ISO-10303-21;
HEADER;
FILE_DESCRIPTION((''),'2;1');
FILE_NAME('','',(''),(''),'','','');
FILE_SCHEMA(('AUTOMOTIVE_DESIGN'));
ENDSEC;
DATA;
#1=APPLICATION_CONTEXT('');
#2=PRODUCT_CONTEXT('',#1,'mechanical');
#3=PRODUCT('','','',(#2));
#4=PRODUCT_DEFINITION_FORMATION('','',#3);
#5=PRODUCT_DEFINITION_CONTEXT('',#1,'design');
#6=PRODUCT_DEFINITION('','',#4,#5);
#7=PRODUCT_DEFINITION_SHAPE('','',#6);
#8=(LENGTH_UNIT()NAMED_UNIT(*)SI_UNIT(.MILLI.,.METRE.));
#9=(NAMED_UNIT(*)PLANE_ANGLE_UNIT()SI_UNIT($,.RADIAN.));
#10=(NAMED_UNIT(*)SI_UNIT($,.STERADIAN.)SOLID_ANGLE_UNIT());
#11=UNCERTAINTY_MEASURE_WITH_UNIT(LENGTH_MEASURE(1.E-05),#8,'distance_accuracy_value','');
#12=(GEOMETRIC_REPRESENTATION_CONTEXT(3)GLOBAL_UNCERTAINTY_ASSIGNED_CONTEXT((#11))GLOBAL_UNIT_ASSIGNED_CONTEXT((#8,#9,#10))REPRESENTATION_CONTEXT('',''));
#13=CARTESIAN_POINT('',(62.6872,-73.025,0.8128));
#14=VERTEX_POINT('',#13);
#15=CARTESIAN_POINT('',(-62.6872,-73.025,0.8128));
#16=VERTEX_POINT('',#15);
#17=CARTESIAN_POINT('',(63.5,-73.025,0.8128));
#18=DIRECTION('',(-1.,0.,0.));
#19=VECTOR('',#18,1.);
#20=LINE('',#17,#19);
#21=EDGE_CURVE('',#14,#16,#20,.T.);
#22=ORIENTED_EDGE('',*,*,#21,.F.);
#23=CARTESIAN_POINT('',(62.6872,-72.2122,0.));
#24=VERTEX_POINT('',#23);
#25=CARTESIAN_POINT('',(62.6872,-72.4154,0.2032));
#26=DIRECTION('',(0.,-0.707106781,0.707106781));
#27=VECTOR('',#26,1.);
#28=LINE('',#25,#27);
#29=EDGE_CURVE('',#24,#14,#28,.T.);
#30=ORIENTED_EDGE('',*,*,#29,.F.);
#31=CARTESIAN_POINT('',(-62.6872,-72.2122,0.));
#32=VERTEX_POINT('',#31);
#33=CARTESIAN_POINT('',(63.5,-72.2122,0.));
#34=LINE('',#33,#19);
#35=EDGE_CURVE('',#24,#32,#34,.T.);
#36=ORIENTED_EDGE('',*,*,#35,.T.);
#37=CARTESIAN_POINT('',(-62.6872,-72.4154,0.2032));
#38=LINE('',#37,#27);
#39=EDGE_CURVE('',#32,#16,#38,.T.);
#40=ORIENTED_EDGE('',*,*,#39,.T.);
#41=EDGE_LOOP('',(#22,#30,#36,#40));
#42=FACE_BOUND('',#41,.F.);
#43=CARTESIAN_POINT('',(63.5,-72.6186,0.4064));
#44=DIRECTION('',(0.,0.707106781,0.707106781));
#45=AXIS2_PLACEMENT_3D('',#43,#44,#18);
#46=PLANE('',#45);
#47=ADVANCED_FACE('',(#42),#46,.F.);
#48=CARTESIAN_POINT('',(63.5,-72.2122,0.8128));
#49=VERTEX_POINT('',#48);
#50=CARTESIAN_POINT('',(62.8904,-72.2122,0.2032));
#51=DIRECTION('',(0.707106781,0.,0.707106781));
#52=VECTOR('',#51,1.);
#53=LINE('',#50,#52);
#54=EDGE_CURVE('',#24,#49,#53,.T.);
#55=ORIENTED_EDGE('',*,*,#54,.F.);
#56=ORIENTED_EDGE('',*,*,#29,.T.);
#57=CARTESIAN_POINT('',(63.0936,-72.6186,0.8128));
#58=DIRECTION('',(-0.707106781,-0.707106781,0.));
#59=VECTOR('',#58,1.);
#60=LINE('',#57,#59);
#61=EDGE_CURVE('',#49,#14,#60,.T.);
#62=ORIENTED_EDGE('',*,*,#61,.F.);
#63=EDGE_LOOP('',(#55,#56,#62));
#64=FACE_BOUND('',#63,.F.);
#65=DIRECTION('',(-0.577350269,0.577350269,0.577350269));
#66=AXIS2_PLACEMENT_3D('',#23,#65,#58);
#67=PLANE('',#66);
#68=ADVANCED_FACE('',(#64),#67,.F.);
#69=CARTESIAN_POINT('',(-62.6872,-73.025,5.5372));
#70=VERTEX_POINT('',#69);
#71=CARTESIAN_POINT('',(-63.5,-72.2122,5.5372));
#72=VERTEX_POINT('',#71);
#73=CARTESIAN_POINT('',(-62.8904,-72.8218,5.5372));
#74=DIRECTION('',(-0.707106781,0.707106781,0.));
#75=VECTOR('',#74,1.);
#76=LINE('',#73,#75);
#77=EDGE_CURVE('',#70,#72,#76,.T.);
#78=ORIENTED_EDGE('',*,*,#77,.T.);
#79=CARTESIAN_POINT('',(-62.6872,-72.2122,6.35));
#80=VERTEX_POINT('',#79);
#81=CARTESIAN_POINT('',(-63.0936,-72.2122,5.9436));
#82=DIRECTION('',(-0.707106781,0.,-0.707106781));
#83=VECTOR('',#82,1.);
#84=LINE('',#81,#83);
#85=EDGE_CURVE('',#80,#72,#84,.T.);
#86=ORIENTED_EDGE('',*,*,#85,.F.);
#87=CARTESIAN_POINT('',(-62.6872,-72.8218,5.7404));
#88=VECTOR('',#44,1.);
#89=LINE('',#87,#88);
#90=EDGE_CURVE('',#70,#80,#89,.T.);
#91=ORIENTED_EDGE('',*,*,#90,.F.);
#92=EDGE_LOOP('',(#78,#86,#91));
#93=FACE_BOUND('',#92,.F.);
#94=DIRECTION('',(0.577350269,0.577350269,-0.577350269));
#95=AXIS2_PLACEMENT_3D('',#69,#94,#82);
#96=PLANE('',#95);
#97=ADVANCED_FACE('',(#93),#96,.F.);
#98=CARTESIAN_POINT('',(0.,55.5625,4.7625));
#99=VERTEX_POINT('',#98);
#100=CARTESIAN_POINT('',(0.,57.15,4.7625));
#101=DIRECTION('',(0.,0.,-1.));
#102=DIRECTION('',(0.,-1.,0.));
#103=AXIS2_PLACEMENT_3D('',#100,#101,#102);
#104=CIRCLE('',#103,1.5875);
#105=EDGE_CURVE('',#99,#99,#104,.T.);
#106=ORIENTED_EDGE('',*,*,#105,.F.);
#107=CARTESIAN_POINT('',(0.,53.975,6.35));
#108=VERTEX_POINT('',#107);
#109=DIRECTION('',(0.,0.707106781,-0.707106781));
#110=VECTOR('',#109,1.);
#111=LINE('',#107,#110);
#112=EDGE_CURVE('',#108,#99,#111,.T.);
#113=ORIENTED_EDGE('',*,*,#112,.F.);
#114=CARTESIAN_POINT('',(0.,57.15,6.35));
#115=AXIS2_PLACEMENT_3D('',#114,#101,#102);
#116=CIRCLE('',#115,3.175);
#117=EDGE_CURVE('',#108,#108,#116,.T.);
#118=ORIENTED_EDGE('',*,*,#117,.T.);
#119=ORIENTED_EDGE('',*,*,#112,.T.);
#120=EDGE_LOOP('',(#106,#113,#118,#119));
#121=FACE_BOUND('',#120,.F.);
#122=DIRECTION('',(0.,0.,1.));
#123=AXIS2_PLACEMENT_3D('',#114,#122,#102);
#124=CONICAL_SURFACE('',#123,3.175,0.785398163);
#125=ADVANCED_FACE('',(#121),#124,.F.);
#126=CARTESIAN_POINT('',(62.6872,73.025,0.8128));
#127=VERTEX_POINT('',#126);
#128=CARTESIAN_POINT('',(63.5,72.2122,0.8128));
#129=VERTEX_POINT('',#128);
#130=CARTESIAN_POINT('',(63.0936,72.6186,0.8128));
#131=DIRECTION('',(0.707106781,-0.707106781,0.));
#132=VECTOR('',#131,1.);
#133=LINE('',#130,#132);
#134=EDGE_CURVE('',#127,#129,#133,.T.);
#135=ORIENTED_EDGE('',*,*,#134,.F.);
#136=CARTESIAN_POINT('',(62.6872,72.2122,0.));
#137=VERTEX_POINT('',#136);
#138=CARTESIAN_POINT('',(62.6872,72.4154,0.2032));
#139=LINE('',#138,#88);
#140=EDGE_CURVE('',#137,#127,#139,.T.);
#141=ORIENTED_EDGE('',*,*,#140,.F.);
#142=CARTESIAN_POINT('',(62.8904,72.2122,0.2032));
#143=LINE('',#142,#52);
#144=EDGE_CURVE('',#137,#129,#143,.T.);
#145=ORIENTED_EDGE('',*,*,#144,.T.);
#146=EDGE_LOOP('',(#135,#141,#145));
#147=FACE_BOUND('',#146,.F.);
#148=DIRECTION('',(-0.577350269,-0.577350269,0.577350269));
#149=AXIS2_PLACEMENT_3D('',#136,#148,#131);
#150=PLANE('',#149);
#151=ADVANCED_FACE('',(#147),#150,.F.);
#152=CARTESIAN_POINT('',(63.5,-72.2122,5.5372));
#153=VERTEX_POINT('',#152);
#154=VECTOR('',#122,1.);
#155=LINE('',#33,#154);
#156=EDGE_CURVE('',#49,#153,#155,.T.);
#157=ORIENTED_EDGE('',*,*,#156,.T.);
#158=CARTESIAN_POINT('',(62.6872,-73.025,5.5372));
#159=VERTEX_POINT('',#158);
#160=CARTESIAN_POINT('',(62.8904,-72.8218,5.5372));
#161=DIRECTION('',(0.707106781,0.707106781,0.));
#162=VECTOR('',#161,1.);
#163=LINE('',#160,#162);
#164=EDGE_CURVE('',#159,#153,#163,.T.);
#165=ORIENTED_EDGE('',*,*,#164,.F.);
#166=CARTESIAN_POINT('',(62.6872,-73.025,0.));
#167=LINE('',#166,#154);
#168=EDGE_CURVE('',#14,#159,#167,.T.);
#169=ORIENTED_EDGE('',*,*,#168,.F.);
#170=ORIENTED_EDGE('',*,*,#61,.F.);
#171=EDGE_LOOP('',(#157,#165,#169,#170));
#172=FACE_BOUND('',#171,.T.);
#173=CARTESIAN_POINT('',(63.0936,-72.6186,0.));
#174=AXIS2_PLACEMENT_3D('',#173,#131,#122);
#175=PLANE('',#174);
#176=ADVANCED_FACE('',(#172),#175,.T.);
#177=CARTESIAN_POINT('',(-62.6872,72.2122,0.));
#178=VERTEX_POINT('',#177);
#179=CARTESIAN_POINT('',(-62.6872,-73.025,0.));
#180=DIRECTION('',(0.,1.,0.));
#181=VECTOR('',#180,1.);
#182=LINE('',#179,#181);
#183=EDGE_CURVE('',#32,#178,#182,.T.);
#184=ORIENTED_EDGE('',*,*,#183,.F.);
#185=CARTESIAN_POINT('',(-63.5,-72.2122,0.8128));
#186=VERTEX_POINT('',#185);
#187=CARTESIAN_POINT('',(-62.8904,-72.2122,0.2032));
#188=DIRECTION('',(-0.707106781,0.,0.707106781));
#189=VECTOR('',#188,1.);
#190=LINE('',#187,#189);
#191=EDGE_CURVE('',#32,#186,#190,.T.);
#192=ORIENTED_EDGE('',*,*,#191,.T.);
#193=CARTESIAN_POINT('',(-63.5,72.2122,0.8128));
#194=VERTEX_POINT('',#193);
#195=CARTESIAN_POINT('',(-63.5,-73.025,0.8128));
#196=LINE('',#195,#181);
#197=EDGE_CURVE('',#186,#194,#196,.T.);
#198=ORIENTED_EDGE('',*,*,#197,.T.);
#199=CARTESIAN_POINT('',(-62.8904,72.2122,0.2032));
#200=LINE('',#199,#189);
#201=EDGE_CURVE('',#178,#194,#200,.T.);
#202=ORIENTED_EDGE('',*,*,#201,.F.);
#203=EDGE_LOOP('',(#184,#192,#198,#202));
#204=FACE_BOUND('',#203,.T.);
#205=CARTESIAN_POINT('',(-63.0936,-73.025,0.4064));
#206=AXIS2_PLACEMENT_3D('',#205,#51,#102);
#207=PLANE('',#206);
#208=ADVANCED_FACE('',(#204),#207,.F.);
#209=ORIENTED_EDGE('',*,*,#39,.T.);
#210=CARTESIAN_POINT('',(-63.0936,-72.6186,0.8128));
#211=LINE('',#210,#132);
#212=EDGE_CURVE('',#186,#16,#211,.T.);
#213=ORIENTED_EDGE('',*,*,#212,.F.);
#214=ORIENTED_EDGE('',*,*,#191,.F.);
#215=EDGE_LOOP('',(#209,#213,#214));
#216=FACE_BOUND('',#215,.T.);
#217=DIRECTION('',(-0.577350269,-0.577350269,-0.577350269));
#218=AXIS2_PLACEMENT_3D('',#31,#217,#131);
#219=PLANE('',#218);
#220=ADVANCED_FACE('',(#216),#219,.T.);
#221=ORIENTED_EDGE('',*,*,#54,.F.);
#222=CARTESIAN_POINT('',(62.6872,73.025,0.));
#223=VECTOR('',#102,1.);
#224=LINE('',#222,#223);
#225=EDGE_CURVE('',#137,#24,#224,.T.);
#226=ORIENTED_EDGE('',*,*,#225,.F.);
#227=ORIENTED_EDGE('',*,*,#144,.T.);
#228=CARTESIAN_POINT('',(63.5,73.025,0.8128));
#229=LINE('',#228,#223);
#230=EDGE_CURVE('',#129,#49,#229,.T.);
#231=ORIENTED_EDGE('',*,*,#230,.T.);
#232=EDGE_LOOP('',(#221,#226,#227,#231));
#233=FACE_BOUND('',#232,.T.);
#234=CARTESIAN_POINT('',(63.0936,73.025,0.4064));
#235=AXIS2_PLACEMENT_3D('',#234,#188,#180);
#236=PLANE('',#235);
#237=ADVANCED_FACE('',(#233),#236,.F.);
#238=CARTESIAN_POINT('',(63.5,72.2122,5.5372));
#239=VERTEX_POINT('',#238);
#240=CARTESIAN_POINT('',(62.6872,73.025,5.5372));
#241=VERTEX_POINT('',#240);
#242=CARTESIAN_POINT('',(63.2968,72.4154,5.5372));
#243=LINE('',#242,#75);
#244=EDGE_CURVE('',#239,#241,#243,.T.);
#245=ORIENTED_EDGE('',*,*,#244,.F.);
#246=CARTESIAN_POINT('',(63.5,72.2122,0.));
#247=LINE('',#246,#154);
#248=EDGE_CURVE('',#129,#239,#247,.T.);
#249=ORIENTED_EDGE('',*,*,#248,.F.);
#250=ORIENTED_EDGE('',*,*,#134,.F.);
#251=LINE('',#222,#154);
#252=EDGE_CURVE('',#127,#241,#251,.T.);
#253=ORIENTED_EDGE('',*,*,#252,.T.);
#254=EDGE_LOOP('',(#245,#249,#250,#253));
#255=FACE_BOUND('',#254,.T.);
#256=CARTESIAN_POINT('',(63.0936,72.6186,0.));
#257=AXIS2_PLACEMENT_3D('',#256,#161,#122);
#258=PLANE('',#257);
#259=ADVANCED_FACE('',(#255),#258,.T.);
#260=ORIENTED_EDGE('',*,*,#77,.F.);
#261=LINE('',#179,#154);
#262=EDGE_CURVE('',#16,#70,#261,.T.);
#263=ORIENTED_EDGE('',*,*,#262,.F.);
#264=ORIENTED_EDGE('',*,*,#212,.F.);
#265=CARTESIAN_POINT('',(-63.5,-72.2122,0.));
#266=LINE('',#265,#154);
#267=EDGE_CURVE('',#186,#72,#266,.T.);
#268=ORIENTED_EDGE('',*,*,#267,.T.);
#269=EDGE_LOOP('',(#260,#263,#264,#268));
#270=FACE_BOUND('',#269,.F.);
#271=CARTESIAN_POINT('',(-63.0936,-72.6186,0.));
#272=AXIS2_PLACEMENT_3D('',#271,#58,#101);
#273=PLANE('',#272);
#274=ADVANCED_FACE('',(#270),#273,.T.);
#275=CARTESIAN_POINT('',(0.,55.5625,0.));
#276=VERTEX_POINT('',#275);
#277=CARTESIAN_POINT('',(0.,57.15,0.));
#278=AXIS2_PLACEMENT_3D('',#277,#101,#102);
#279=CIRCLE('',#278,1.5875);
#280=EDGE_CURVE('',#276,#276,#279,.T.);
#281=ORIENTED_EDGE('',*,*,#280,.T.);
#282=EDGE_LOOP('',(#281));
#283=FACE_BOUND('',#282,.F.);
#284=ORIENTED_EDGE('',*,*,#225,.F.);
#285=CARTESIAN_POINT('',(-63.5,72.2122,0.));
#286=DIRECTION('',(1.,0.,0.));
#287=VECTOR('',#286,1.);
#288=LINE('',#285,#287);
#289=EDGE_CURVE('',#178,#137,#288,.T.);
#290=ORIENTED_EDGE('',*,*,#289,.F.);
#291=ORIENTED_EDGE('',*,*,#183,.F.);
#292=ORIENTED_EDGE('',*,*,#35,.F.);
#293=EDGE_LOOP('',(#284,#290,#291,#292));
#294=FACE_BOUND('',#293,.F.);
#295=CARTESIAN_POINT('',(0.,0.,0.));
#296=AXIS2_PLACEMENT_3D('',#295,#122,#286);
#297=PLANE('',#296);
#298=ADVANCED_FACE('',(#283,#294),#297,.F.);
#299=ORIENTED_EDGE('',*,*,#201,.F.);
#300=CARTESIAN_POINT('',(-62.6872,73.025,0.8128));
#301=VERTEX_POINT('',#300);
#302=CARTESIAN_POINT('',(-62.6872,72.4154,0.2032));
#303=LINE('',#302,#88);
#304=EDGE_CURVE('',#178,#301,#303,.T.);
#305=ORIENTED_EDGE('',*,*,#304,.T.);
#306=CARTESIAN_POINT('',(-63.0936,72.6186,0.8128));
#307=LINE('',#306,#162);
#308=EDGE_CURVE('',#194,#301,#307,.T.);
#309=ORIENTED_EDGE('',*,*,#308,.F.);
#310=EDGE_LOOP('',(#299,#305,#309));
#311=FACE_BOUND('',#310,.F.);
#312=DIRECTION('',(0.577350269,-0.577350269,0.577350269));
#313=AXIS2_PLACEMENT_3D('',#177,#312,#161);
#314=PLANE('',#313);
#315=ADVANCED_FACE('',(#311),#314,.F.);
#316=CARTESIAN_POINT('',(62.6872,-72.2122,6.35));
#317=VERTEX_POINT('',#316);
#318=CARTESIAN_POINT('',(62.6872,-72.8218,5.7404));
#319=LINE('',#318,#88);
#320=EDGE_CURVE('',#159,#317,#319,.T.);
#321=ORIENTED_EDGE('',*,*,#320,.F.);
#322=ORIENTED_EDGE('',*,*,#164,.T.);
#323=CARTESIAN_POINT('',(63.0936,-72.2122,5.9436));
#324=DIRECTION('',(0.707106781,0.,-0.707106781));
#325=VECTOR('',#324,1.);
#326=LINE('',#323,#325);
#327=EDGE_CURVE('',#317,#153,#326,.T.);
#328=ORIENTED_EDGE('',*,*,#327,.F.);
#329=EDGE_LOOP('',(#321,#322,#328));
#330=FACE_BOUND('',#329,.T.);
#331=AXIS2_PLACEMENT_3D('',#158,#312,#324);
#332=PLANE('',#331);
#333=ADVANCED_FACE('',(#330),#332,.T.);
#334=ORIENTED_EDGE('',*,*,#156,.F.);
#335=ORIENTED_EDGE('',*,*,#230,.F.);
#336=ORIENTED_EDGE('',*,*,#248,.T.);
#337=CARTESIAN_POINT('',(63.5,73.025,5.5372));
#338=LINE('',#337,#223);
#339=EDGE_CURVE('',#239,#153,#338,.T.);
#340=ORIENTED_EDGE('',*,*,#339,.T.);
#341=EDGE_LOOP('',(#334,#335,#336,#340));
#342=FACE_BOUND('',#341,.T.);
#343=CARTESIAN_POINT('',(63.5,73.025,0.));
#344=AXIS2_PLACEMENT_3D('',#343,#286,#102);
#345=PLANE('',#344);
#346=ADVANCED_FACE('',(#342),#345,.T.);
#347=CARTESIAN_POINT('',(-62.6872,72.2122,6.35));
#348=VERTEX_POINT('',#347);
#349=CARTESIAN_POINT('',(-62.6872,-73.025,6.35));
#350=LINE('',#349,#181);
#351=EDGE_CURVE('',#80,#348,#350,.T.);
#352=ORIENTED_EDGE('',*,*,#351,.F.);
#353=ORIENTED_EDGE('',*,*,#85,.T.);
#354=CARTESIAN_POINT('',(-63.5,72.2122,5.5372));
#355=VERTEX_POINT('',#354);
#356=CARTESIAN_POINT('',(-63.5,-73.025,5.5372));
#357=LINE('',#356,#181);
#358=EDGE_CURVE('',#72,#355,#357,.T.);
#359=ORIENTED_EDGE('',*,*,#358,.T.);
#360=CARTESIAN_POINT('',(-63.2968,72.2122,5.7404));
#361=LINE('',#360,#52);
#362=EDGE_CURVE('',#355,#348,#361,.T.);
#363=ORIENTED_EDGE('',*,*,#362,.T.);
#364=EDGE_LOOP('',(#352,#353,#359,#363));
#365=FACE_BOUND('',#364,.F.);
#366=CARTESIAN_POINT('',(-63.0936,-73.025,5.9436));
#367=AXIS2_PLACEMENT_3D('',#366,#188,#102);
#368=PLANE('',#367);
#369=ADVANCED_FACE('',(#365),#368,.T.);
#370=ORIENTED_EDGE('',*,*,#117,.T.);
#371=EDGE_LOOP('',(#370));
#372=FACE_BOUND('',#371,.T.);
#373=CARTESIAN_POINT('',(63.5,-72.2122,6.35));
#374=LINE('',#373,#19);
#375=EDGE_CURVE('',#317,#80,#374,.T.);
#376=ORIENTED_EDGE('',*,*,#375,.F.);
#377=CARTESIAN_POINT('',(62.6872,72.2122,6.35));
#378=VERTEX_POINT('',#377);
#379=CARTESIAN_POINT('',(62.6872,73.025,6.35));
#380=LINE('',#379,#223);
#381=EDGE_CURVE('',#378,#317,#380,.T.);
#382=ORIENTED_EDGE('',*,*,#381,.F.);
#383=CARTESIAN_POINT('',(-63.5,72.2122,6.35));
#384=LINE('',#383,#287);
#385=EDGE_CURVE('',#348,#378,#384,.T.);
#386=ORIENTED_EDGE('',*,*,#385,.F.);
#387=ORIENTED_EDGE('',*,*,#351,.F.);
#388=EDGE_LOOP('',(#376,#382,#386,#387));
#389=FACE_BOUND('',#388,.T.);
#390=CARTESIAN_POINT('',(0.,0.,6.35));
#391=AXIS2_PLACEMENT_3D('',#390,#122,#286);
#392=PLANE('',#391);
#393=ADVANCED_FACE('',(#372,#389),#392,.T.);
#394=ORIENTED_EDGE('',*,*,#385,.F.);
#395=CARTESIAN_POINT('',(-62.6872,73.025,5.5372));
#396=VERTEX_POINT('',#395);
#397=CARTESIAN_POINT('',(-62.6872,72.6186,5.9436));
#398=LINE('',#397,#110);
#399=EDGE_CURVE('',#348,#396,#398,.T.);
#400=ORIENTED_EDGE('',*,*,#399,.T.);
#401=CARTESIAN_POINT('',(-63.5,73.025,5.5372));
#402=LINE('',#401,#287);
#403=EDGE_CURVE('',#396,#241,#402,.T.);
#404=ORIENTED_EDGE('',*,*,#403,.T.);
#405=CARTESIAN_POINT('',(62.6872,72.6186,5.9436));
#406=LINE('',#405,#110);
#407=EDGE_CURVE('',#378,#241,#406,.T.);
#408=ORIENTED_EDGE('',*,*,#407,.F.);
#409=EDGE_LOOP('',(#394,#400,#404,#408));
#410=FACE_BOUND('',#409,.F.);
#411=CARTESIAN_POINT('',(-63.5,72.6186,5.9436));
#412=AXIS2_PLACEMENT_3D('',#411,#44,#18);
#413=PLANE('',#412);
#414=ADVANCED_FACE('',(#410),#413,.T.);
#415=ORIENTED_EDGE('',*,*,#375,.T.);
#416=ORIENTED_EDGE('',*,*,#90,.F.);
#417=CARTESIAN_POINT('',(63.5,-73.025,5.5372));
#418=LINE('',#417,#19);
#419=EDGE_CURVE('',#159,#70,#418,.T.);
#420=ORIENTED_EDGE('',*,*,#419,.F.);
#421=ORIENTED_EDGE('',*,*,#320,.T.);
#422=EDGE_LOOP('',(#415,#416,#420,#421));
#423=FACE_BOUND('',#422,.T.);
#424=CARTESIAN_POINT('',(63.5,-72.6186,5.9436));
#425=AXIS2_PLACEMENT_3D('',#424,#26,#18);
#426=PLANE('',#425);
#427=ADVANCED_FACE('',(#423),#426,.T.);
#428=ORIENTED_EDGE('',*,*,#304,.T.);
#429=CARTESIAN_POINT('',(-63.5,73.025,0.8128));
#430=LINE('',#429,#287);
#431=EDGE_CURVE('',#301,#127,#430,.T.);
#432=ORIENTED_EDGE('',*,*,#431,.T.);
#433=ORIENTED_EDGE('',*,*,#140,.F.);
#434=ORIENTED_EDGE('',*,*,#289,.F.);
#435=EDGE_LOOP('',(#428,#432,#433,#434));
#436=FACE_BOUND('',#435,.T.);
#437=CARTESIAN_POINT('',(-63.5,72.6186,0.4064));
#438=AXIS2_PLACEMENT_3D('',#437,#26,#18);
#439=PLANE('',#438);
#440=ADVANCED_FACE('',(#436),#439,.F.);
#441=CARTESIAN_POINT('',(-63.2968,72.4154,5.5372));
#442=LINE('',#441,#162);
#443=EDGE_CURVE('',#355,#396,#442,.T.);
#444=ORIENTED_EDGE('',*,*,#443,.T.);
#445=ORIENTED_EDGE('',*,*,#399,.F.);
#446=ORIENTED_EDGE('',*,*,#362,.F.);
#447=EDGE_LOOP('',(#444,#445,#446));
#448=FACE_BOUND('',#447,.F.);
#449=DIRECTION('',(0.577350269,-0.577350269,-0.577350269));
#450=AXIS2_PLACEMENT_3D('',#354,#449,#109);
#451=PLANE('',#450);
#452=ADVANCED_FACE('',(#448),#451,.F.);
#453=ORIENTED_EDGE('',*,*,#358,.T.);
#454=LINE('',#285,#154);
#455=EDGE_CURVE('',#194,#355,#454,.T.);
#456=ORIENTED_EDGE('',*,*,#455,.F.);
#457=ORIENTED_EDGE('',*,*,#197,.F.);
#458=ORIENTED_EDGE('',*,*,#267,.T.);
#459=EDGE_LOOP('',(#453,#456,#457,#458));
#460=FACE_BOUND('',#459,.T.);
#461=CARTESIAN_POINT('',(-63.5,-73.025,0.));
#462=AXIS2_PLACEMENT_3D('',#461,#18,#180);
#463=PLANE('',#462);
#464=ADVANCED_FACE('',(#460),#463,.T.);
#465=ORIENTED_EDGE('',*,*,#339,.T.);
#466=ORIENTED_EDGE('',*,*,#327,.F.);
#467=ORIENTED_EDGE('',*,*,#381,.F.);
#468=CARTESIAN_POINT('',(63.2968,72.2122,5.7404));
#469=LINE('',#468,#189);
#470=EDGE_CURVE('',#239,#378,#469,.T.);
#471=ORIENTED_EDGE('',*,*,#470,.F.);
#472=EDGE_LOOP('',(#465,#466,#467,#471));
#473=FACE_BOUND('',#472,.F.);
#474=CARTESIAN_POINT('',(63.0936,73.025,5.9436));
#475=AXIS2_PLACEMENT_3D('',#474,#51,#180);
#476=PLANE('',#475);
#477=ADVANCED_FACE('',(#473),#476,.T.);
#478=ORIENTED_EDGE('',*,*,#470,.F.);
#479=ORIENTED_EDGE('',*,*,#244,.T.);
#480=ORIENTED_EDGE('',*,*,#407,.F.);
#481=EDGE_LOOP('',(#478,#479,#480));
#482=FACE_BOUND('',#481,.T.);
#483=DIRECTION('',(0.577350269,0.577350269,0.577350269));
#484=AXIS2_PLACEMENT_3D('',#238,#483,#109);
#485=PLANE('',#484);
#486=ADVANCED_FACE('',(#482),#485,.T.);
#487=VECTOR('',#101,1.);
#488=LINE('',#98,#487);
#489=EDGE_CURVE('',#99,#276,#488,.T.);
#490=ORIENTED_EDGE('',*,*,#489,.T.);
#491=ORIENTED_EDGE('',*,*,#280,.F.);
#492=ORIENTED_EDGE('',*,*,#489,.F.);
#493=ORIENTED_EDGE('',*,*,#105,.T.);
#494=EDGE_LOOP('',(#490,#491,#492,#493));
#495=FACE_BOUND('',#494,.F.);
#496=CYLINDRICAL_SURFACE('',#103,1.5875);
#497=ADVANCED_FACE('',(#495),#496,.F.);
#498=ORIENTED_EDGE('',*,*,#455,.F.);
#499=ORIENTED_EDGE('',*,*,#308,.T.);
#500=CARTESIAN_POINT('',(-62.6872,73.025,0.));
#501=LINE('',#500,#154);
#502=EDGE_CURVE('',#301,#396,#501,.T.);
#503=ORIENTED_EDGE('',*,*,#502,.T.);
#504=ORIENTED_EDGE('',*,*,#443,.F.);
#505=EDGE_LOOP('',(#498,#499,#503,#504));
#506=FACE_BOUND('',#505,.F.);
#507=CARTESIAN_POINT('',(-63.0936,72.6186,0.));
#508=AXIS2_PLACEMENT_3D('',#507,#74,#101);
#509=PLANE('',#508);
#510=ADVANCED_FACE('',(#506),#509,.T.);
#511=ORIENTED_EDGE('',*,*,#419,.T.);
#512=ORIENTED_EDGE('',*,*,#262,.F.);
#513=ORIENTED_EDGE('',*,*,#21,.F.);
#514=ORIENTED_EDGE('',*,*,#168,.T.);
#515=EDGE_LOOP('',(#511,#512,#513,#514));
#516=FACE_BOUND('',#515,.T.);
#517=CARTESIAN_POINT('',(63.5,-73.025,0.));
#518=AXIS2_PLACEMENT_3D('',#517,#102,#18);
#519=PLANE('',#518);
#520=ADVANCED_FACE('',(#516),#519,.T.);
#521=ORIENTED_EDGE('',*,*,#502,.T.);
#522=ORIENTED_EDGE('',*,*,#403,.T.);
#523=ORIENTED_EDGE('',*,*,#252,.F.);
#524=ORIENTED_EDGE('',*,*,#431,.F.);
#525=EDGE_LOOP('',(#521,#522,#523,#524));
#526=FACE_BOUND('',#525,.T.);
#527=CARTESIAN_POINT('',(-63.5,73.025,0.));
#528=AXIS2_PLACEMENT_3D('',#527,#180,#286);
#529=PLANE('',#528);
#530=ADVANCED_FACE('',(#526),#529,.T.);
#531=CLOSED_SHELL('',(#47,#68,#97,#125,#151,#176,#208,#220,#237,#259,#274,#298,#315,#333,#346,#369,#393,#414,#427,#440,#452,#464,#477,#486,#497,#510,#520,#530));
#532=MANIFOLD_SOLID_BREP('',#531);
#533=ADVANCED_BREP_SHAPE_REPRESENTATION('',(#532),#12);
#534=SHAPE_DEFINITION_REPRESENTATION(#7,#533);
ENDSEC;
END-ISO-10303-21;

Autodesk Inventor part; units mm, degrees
ref_plane "YZ Plane" through (0, 0, 0) normal (1, 0, 0) x (0, 1, 0)
ref_plane "XZ Plane" through (0, 0, 0) normal (0, 1, 0) x (-1, 0, 0)
ref_plane "XY Plane" through (0, 0, 0) normal (0, 0, 1) x (1, 0, 0)
sketch "Sketch1" plane through (0, 0, 0) normal (0, 0, 1) x (1, 0, 0)
  line L0 (-63.5, 73.025) -> (63.5, 73.025)
  line L1 (63.5, 73.025) -> (63.5, -73.025)
  line L2 (63.5, -73.025) -> (-63.5, -73.025)
  line L3 (-63.5, -73.025) -> (-63.5, 73.025)
  point P0 (0, 0)
  dimension "d0" = 127
  dimension "d1" = 146.05
  dimension "d2" = 73.025
  dimension "d3" = 63.5
extrude "Extrusion1" add sketch "Sketch1" along normal blind 6.35
sketch "Sketch2" plane through (0, 0, 6.35) normal (0, 0, 1) x (1, 0, 0)
  line L0 (0, -102.235) -> (0, 102.235) construction
  line L1 (-63.5, 73.025) -> (63.5, 73.025) projected
  line L2 (-63.5, -73.025) -> (-63.5, 73.025) projected
  line L3 (63.5, 73.025) -> (63.5, -73.025) projected
  line L4 (63.5, -73.025) -> (-63.5, -73.025) projected
  line L5 (63.5, 73.025) -> (63.5, -73.025) projected
  line L6 (-63.5, 73.025) -> (63.5, 73.025) projected
  line L7 (-63.5, -73.025) -> (-63.5, 73.025) projected
  line L8 (63.5, -73.025) -> (-63.5, -73.025) projected
  circle A0 centre (0, -6.35) radius 50.8 construction
  point P0 (0, 0)
  point P1 (0, 57.15)
  point P2 (0, -57.15)
  point P3 (-38.1, -39.951)
  point P4 (38.1, -39.951)
  dimension "d15" = 15.875
  dimension "d16" = 15.875
  dimension "d17" = 101.6
  dimension "d18" = 76.2
hole "Hole1" at (0, 57.15, 6.35) direction (0, 0, -1) diameter 3.175 end through all countersink diameter 6.35 countersink angle 90
chamfer "Chamfer1" distance 0.8128 angle 45 12 edges at (0, 73.025, 6.35) (-63.5, 0, 6.35) (63.5, 0, 6.35) (0, -73.025, 6.35) (63.5, 73.025, 3.175) (63.5, -73.025, 3.175) (-63.5, 73.025, 3.175) (-63.5, -73.025, 3.175) (-63.5, 0, 0) (0, 73.025, 0) (63.5, 0, 0) (0, -73.025, 0)
equation "\"d2\" = 0.5 * d1"
equation "\"d3\" = 0.5 * d0"
equation "\"d16\" = d15"
properties part number "J001843" material "GLASS, BOROSILICATE"
